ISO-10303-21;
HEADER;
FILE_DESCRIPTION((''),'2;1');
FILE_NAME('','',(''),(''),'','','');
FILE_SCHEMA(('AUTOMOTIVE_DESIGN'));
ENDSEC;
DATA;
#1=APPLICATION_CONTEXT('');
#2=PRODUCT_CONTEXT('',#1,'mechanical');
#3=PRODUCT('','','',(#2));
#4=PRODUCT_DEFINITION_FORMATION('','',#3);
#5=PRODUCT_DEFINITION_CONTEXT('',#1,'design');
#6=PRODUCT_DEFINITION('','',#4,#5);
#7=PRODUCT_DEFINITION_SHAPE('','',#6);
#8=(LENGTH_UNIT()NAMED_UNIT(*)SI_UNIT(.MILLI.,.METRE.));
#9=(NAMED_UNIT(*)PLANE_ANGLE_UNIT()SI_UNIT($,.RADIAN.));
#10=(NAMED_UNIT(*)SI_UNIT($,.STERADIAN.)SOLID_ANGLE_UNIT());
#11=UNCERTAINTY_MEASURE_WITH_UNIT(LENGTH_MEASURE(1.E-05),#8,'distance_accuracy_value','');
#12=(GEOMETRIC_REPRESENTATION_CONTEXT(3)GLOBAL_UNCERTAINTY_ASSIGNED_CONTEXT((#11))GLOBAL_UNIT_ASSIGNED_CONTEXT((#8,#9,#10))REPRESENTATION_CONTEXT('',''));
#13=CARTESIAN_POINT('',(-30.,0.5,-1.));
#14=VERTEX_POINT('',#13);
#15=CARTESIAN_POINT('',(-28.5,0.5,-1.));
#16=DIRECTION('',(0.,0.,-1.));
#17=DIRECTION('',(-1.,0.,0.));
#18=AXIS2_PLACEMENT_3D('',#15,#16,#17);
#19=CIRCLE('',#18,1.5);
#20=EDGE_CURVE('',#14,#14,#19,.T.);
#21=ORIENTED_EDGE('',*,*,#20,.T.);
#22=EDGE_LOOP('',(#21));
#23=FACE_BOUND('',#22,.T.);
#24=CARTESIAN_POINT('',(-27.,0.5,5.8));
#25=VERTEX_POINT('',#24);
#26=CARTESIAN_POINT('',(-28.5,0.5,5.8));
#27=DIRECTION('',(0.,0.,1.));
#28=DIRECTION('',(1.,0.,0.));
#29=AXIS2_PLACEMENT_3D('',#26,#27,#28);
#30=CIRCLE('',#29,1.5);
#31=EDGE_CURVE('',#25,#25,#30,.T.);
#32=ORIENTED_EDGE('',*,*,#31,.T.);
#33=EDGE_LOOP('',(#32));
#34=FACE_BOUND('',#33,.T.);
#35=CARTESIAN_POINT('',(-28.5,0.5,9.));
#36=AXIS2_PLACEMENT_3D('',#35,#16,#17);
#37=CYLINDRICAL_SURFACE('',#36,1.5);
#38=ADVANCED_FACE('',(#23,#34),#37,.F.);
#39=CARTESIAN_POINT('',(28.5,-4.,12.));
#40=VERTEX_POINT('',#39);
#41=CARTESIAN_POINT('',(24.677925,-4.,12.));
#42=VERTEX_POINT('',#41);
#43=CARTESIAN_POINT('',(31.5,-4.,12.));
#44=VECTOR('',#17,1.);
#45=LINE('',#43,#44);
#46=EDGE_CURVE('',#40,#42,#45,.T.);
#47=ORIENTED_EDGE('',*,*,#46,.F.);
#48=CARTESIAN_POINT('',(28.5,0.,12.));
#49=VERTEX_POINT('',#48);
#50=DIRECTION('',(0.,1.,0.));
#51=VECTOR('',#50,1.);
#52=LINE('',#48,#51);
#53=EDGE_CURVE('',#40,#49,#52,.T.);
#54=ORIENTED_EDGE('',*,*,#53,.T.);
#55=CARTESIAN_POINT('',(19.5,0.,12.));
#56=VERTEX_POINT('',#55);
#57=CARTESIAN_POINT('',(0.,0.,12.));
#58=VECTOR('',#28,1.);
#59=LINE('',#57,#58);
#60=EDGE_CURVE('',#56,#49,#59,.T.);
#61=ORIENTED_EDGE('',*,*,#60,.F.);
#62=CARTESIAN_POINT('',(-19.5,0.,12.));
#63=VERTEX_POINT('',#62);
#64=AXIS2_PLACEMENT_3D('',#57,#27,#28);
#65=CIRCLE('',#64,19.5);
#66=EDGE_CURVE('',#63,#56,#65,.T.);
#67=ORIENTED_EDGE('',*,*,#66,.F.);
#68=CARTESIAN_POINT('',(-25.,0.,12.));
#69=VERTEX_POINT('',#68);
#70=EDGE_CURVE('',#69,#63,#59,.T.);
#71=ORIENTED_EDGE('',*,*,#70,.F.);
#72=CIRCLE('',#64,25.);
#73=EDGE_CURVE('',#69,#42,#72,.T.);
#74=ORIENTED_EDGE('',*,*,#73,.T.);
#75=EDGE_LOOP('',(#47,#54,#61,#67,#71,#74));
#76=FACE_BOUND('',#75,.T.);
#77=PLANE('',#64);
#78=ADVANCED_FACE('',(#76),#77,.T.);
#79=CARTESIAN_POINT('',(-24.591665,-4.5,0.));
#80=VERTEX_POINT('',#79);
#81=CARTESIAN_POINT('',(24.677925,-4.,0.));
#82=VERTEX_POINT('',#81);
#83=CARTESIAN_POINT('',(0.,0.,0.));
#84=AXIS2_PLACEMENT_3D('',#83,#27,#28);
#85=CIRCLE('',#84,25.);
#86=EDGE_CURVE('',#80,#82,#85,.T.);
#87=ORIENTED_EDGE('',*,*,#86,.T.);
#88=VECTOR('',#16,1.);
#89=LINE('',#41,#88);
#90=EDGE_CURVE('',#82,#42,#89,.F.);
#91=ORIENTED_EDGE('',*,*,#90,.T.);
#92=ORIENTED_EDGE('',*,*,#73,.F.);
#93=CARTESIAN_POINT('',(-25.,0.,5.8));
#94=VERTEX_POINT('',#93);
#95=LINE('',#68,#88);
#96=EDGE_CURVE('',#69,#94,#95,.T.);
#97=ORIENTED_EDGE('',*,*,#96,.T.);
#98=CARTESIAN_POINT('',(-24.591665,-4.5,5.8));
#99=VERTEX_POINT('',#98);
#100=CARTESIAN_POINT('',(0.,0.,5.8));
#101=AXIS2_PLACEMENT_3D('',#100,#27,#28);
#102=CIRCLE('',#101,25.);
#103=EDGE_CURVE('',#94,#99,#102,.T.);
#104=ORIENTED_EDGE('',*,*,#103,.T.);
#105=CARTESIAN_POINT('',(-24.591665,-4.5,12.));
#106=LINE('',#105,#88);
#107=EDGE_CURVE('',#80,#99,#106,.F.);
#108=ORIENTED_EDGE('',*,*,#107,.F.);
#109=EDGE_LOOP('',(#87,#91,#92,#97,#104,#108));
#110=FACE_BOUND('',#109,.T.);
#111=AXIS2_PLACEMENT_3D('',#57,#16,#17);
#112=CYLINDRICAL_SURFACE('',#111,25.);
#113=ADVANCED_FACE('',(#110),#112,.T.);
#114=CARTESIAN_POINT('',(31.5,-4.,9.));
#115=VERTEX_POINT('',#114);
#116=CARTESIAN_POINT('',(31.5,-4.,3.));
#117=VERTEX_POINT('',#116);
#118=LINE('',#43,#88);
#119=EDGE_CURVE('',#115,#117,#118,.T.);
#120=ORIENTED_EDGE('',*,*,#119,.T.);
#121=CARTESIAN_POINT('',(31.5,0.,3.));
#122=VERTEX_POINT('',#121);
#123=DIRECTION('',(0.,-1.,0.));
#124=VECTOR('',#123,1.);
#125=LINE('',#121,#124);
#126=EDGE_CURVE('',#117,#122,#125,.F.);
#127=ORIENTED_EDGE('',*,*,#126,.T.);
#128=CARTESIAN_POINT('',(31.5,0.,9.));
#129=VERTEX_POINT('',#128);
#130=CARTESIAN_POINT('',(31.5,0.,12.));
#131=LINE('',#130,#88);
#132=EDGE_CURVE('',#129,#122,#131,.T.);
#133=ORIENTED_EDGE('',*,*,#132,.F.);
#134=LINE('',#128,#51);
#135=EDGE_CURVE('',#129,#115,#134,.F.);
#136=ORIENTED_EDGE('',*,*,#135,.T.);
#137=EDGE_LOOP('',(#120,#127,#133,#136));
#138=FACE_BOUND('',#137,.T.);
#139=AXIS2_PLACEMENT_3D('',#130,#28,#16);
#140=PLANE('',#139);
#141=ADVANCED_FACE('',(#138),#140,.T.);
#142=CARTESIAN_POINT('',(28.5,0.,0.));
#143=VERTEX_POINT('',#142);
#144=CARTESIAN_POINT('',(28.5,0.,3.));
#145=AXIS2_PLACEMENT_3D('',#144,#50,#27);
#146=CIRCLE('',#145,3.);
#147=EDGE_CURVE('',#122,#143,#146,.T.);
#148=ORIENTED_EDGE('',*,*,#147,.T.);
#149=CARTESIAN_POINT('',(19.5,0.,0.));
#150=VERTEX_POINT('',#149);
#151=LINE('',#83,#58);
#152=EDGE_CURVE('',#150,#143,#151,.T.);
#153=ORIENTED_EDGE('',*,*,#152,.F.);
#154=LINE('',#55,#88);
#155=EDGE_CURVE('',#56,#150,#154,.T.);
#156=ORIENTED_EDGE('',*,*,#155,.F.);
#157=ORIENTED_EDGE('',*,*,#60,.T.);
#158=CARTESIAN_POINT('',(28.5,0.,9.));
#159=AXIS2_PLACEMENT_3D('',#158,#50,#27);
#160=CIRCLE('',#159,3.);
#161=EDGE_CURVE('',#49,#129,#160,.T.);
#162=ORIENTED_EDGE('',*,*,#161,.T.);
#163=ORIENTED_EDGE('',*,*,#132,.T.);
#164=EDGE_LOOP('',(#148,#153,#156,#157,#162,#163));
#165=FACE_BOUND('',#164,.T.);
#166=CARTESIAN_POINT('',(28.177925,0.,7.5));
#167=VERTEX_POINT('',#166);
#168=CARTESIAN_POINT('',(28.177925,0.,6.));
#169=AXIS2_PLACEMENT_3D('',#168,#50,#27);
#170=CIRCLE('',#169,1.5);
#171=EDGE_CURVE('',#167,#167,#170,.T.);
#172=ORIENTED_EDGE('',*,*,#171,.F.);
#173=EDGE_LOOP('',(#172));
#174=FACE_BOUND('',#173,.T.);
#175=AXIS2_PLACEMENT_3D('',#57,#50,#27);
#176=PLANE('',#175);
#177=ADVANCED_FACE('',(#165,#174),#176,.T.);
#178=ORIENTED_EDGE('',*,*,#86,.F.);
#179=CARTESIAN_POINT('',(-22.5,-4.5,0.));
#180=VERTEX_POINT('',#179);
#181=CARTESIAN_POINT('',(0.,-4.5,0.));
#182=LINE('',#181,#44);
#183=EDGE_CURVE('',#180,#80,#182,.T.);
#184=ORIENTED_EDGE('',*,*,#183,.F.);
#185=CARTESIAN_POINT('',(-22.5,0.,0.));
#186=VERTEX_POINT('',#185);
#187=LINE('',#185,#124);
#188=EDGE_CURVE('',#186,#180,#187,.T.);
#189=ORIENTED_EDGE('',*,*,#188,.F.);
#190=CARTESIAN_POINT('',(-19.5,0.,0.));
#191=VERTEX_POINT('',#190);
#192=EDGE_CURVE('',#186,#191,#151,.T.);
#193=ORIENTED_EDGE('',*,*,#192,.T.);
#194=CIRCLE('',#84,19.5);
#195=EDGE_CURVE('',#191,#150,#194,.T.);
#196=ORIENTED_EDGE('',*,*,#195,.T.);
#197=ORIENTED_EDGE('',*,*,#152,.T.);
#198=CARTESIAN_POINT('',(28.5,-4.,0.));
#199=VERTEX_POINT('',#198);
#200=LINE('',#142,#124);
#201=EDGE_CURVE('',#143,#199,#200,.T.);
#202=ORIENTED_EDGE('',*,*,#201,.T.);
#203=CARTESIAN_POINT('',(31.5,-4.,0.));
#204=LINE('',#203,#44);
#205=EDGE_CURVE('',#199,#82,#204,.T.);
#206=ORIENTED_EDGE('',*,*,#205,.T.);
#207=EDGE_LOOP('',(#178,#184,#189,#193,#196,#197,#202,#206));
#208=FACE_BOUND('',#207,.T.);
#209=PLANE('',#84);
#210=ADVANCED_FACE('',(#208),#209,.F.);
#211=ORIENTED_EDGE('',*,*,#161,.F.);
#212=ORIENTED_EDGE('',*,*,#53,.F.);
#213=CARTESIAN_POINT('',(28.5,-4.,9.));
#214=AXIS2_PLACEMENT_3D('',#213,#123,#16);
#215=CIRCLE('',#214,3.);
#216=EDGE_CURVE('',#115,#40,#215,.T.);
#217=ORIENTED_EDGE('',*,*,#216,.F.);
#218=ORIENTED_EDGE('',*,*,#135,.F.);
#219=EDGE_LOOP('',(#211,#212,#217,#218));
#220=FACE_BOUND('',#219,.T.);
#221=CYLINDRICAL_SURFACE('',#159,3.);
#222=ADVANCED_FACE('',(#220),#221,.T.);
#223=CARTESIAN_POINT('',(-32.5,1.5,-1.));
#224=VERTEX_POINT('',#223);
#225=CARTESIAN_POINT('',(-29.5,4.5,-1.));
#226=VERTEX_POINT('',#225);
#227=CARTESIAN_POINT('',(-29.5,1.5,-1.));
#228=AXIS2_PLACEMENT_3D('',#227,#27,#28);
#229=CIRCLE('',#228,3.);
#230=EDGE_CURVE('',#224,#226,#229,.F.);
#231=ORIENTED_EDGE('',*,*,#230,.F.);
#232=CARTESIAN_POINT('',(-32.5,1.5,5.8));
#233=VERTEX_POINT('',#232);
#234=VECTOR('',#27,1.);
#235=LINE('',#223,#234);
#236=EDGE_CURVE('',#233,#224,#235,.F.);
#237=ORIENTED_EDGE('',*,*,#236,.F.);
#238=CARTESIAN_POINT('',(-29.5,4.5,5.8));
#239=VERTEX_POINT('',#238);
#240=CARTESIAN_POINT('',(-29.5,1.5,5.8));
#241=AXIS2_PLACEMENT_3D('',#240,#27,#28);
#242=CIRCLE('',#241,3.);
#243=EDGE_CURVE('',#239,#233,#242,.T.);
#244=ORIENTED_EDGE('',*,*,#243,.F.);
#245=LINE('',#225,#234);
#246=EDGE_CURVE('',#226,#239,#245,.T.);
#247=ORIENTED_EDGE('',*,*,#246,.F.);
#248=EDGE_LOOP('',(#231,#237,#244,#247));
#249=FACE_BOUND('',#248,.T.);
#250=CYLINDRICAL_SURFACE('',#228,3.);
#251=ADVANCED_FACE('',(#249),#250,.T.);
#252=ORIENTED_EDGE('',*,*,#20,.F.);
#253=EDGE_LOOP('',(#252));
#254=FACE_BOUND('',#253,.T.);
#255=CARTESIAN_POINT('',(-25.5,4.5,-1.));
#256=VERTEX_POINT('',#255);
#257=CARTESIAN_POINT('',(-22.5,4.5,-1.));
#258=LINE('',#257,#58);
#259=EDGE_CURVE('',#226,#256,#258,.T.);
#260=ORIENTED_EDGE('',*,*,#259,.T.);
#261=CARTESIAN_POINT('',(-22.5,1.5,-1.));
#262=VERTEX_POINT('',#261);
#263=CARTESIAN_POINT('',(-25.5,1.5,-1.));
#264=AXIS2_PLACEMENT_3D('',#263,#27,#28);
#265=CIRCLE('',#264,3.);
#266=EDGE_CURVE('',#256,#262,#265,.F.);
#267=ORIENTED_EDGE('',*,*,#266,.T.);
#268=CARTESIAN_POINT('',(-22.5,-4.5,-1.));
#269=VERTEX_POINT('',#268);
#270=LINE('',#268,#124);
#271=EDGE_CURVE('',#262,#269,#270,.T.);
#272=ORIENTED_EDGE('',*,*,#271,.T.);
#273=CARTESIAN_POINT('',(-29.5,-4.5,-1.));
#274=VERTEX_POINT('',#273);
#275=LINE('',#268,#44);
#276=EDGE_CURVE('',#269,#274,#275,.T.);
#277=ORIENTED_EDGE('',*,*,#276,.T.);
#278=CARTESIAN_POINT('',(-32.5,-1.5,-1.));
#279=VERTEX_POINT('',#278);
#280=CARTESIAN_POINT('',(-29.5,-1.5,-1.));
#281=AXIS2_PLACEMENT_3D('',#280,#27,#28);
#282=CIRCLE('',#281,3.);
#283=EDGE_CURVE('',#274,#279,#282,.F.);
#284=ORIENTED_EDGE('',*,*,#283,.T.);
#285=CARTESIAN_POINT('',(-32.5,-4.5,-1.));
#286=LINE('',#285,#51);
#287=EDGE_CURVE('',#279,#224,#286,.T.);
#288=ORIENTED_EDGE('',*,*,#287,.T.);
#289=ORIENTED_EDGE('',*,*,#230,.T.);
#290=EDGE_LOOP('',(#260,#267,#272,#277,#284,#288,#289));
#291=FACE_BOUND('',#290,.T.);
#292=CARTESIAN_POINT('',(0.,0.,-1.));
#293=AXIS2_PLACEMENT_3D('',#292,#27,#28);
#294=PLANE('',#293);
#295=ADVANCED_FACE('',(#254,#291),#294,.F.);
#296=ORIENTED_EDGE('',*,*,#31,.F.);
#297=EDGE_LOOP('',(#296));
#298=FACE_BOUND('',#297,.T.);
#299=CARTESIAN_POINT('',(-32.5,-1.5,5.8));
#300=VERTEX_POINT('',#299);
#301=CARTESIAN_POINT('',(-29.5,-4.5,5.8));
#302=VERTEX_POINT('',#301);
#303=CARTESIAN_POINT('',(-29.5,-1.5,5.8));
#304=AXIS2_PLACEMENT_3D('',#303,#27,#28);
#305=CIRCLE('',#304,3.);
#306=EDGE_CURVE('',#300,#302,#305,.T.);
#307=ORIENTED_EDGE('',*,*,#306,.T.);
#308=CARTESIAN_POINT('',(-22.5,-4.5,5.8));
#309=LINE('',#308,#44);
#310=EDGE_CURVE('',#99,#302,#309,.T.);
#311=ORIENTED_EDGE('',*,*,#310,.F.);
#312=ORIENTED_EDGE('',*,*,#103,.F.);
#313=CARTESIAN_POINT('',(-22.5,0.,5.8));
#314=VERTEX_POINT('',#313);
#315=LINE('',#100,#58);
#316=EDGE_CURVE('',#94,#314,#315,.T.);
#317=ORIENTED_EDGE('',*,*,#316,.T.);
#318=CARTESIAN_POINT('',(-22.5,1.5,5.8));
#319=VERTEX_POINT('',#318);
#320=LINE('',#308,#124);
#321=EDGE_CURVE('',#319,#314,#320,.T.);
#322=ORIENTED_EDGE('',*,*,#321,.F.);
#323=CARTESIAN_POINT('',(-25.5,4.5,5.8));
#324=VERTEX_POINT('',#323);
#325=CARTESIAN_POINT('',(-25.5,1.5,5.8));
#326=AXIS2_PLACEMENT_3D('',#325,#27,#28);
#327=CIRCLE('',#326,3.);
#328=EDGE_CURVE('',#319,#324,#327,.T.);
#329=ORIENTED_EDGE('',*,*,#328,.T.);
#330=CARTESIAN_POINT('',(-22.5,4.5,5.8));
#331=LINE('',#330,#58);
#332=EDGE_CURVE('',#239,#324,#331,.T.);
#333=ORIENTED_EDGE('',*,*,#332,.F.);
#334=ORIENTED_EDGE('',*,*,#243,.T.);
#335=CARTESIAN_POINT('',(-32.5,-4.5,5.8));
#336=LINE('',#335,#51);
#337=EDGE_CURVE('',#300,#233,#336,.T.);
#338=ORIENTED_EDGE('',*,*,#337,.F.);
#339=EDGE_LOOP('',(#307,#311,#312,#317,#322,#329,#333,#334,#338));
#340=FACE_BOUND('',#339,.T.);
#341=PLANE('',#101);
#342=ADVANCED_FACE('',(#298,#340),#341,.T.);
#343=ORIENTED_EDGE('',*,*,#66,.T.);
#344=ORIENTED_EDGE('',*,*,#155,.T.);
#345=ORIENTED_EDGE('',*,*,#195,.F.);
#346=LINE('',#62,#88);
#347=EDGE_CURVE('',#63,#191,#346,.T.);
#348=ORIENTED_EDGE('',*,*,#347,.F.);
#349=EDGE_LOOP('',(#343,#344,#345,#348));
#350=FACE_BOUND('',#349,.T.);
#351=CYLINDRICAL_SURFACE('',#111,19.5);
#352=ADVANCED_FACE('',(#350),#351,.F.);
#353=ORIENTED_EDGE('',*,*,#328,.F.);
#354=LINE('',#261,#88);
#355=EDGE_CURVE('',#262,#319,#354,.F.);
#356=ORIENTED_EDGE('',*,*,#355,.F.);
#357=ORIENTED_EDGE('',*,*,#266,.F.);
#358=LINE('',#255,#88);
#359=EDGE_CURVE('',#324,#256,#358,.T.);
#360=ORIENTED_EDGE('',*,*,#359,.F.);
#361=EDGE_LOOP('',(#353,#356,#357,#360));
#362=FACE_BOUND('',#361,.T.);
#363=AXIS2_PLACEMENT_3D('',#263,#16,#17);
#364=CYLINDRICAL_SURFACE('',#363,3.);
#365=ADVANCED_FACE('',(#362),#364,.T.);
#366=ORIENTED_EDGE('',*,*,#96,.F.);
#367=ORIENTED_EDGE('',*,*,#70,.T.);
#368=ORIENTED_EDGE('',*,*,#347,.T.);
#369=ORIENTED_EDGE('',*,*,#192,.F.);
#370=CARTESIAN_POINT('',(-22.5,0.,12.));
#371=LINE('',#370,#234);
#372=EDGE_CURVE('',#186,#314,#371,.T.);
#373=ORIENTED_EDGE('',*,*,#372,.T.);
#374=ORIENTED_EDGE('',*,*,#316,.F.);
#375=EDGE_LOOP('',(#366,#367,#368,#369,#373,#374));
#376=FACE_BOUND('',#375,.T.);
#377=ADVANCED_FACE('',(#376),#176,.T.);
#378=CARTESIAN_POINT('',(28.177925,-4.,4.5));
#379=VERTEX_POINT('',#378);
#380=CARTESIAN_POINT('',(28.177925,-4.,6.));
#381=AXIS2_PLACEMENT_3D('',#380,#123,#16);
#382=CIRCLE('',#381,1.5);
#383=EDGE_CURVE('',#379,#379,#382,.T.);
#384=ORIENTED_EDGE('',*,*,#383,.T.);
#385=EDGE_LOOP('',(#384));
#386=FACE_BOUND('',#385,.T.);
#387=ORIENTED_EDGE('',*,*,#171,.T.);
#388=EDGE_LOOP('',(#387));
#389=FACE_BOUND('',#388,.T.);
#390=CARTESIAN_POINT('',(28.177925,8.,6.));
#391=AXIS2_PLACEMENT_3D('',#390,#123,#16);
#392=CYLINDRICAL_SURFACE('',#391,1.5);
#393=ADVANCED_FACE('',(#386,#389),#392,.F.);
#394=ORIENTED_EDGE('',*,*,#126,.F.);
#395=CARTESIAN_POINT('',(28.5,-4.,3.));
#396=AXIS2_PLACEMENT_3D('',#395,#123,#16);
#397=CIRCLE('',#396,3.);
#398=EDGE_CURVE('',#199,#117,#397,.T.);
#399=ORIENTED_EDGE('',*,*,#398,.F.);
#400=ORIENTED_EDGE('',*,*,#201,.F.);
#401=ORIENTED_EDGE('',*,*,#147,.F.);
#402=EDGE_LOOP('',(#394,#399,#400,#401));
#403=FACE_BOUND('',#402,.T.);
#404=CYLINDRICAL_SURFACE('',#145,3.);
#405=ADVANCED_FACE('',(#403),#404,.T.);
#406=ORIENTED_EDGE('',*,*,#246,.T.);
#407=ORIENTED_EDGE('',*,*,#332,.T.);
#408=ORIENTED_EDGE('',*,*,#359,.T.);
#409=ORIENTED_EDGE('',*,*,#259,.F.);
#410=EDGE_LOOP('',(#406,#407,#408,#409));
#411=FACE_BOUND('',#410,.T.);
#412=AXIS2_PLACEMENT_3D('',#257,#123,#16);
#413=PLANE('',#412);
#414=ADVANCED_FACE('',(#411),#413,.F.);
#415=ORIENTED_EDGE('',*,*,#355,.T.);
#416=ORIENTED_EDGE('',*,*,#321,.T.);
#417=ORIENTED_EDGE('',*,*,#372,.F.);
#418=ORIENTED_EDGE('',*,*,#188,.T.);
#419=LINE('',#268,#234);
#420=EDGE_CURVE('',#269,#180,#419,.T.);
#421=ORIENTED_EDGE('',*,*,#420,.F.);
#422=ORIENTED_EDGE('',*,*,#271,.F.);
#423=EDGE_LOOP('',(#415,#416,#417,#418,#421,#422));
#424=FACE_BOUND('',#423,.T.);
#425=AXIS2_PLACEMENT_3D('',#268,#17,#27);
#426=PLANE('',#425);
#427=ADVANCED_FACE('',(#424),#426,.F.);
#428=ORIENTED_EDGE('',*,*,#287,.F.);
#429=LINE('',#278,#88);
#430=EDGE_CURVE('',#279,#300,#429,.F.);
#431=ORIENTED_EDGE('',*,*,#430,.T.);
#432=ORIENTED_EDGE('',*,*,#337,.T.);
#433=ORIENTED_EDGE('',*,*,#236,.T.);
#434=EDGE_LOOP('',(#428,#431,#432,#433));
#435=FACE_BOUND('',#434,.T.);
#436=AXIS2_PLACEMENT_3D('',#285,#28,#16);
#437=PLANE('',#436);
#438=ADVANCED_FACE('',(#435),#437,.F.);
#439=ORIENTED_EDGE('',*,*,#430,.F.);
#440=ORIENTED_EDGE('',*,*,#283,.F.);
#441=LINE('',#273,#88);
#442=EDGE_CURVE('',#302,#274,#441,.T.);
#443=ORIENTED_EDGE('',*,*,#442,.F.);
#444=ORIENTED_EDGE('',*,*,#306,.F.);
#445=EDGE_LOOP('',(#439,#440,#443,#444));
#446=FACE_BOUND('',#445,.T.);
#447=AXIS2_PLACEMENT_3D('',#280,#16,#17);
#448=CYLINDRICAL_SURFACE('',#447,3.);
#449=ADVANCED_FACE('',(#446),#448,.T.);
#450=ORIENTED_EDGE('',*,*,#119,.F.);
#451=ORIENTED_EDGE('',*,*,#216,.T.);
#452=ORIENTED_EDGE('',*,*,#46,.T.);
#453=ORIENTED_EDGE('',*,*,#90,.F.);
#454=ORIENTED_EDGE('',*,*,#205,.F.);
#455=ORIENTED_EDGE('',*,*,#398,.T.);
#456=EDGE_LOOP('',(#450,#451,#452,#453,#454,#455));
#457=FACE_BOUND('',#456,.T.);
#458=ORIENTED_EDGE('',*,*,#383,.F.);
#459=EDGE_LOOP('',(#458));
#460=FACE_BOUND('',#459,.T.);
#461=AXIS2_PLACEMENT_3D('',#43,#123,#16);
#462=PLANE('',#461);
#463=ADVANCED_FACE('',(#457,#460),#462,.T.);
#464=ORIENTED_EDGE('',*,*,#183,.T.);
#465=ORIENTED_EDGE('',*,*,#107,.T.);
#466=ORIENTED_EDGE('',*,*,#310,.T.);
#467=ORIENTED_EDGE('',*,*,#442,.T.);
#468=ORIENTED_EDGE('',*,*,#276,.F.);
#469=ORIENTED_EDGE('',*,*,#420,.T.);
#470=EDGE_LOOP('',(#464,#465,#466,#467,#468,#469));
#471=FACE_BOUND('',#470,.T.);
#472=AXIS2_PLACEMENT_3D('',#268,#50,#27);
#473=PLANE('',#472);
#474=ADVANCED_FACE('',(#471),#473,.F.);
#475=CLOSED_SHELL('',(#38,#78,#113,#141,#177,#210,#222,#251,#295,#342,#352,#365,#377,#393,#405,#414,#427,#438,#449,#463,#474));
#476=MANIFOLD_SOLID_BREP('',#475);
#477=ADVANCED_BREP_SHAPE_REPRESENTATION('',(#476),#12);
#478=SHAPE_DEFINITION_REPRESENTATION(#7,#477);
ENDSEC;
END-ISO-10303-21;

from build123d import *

# Parameters (mm, degrees)
BOSS_EXTRUDE8_DEPTH       = 12
SKETCH4_W                 = 8
SKETCH4_H                 = 4
BOSS_EXTRUDE10_DEPTH      = 12
SKETCH5_R                 = 1.5
CUT_EXTRUDE2_DEPTH        = 12
SKETCH6_W                 = 10
SKETCH6_H                 = 9
BOSS_EXTRUDE11_DEPTH      = 1
BOSS_EXTRUDE11_DEPTH_BACK = 5.8
SKETCH7_R                 = 1.5
CUT_EXTRUDE3_DEPTH        = 10
FILLET1_R                 = 3
FILLET3_R                 = 3
FILLET4_R                 = 3
FILLET5_R                 = 3
FILLET6_R                 = 3


with BuildPart() as part:
    # Sketch1 → Boss-Extrude8 (new body)
    with BuildSketch(Plane.XY):
        with BuildLine():
            Line((25, 0), (19.5, 0))
            ThreePointArc((19.5, 0), (0, -19.5), (-19.5, 0))
            Line((-19.5, 0), (-25, 0))
            ThreePointArc((-25, 0), (0, -25), (25, 0))
        make_face()
    extrude(amount=BOSS_EXTRUDE8_DEPTH)

    # Sketch4 → Boss-Extrude10 (add)
    with BuildSketch(Plane(origin=(0, 0, 0), x_dir=(-1, 0, 0), z_dir=(0, 0, -1))):
        with Locations((-27.5, -2)):
            Rectangle(SKETCH4_W, SKETCH4_H)
    extrude(amount=-BOSS_EXTRUDE10_DEPTH)

    # Sketch5 → Cut-Extrude2 (cut)
    with BuildSketch(Plane.XZ.offset(4)):
        with Locations((28.177925359, 6)):
            Circle(SKETCH5_R)
    extrude(amount=-CUT_EXTRUDE2_DEPTH, mode=Mode.SUBTRACT)

    # Sketch6 → Boss-Extrude11 (add, two sides)
    with BuildSketch(Plane(origin=(0, 0, 0), x_dir=(-1, 0, 0), z_dir=(0, 0, -1))) as boss_extrude11_sk:
        with Locations((27.5, 0)):
            Rectangle(SKETCH6_W, SKETCH6_H)
    extrude(amount=BOSS_EXTRUDE11_DEPTH)
    extrude(boss_extrude11_sk.sketch, amount=-BOSS_EXTRUDE11_DEPTH_BACK)

    # Sketch7 → Cut-Extrude3 (cut)
    with BuildSketch(Plane(origin=(0, 0, -1), x_dir=(-1, 0, 0), z_dir=(0, 0, -1))):
        with Locations((28.5, 0.5)):
            Circle(SKETCH7_R)
    extrude(amount=-CUT_EXTRUDE3_DEPTH, mode=Mode.SUBTRACT)

    # Fillet1
    fillet1_edges = [part.edges().sort_by_distance(p)[0] for p in [
        (-32.5, -4.5, 2.4),
    ]]
    fillet(fillet1_edges, radius=FILLET1_R)

    # Fillet3
    fillet3_edges = [part.edges().sort_by_distance(p)[0] for p in [
        (-32.5, 4.5, 2.4),
    ]]
    fillet(fillet3_edges, radius=FILLET3_R)

    # Fillet4
    fillet4_edges = [part.edges().sort_by_distance(p)[0] for p in [
        (-22.5, 4.5, 2.4),
    ]]
    fillet(fillet4_edges, radius=FILLET4_R)

    # Fillet5
    fillet5_edges = [part.edges().sort_by_distance(p)[0] for p in [
        (31.5, -2, 0),
    ]]
    fillet(fillet5_edges, radius=FILLET5_R)

    # Fillet6
    fillet6_edges = [part.edges().sort_by_distance(p)[0] for p in [
        (31.5, -2, 12),
    ]]
    fillet(fillet6_edges, radius=FILLET6_R)


solid = part.part
